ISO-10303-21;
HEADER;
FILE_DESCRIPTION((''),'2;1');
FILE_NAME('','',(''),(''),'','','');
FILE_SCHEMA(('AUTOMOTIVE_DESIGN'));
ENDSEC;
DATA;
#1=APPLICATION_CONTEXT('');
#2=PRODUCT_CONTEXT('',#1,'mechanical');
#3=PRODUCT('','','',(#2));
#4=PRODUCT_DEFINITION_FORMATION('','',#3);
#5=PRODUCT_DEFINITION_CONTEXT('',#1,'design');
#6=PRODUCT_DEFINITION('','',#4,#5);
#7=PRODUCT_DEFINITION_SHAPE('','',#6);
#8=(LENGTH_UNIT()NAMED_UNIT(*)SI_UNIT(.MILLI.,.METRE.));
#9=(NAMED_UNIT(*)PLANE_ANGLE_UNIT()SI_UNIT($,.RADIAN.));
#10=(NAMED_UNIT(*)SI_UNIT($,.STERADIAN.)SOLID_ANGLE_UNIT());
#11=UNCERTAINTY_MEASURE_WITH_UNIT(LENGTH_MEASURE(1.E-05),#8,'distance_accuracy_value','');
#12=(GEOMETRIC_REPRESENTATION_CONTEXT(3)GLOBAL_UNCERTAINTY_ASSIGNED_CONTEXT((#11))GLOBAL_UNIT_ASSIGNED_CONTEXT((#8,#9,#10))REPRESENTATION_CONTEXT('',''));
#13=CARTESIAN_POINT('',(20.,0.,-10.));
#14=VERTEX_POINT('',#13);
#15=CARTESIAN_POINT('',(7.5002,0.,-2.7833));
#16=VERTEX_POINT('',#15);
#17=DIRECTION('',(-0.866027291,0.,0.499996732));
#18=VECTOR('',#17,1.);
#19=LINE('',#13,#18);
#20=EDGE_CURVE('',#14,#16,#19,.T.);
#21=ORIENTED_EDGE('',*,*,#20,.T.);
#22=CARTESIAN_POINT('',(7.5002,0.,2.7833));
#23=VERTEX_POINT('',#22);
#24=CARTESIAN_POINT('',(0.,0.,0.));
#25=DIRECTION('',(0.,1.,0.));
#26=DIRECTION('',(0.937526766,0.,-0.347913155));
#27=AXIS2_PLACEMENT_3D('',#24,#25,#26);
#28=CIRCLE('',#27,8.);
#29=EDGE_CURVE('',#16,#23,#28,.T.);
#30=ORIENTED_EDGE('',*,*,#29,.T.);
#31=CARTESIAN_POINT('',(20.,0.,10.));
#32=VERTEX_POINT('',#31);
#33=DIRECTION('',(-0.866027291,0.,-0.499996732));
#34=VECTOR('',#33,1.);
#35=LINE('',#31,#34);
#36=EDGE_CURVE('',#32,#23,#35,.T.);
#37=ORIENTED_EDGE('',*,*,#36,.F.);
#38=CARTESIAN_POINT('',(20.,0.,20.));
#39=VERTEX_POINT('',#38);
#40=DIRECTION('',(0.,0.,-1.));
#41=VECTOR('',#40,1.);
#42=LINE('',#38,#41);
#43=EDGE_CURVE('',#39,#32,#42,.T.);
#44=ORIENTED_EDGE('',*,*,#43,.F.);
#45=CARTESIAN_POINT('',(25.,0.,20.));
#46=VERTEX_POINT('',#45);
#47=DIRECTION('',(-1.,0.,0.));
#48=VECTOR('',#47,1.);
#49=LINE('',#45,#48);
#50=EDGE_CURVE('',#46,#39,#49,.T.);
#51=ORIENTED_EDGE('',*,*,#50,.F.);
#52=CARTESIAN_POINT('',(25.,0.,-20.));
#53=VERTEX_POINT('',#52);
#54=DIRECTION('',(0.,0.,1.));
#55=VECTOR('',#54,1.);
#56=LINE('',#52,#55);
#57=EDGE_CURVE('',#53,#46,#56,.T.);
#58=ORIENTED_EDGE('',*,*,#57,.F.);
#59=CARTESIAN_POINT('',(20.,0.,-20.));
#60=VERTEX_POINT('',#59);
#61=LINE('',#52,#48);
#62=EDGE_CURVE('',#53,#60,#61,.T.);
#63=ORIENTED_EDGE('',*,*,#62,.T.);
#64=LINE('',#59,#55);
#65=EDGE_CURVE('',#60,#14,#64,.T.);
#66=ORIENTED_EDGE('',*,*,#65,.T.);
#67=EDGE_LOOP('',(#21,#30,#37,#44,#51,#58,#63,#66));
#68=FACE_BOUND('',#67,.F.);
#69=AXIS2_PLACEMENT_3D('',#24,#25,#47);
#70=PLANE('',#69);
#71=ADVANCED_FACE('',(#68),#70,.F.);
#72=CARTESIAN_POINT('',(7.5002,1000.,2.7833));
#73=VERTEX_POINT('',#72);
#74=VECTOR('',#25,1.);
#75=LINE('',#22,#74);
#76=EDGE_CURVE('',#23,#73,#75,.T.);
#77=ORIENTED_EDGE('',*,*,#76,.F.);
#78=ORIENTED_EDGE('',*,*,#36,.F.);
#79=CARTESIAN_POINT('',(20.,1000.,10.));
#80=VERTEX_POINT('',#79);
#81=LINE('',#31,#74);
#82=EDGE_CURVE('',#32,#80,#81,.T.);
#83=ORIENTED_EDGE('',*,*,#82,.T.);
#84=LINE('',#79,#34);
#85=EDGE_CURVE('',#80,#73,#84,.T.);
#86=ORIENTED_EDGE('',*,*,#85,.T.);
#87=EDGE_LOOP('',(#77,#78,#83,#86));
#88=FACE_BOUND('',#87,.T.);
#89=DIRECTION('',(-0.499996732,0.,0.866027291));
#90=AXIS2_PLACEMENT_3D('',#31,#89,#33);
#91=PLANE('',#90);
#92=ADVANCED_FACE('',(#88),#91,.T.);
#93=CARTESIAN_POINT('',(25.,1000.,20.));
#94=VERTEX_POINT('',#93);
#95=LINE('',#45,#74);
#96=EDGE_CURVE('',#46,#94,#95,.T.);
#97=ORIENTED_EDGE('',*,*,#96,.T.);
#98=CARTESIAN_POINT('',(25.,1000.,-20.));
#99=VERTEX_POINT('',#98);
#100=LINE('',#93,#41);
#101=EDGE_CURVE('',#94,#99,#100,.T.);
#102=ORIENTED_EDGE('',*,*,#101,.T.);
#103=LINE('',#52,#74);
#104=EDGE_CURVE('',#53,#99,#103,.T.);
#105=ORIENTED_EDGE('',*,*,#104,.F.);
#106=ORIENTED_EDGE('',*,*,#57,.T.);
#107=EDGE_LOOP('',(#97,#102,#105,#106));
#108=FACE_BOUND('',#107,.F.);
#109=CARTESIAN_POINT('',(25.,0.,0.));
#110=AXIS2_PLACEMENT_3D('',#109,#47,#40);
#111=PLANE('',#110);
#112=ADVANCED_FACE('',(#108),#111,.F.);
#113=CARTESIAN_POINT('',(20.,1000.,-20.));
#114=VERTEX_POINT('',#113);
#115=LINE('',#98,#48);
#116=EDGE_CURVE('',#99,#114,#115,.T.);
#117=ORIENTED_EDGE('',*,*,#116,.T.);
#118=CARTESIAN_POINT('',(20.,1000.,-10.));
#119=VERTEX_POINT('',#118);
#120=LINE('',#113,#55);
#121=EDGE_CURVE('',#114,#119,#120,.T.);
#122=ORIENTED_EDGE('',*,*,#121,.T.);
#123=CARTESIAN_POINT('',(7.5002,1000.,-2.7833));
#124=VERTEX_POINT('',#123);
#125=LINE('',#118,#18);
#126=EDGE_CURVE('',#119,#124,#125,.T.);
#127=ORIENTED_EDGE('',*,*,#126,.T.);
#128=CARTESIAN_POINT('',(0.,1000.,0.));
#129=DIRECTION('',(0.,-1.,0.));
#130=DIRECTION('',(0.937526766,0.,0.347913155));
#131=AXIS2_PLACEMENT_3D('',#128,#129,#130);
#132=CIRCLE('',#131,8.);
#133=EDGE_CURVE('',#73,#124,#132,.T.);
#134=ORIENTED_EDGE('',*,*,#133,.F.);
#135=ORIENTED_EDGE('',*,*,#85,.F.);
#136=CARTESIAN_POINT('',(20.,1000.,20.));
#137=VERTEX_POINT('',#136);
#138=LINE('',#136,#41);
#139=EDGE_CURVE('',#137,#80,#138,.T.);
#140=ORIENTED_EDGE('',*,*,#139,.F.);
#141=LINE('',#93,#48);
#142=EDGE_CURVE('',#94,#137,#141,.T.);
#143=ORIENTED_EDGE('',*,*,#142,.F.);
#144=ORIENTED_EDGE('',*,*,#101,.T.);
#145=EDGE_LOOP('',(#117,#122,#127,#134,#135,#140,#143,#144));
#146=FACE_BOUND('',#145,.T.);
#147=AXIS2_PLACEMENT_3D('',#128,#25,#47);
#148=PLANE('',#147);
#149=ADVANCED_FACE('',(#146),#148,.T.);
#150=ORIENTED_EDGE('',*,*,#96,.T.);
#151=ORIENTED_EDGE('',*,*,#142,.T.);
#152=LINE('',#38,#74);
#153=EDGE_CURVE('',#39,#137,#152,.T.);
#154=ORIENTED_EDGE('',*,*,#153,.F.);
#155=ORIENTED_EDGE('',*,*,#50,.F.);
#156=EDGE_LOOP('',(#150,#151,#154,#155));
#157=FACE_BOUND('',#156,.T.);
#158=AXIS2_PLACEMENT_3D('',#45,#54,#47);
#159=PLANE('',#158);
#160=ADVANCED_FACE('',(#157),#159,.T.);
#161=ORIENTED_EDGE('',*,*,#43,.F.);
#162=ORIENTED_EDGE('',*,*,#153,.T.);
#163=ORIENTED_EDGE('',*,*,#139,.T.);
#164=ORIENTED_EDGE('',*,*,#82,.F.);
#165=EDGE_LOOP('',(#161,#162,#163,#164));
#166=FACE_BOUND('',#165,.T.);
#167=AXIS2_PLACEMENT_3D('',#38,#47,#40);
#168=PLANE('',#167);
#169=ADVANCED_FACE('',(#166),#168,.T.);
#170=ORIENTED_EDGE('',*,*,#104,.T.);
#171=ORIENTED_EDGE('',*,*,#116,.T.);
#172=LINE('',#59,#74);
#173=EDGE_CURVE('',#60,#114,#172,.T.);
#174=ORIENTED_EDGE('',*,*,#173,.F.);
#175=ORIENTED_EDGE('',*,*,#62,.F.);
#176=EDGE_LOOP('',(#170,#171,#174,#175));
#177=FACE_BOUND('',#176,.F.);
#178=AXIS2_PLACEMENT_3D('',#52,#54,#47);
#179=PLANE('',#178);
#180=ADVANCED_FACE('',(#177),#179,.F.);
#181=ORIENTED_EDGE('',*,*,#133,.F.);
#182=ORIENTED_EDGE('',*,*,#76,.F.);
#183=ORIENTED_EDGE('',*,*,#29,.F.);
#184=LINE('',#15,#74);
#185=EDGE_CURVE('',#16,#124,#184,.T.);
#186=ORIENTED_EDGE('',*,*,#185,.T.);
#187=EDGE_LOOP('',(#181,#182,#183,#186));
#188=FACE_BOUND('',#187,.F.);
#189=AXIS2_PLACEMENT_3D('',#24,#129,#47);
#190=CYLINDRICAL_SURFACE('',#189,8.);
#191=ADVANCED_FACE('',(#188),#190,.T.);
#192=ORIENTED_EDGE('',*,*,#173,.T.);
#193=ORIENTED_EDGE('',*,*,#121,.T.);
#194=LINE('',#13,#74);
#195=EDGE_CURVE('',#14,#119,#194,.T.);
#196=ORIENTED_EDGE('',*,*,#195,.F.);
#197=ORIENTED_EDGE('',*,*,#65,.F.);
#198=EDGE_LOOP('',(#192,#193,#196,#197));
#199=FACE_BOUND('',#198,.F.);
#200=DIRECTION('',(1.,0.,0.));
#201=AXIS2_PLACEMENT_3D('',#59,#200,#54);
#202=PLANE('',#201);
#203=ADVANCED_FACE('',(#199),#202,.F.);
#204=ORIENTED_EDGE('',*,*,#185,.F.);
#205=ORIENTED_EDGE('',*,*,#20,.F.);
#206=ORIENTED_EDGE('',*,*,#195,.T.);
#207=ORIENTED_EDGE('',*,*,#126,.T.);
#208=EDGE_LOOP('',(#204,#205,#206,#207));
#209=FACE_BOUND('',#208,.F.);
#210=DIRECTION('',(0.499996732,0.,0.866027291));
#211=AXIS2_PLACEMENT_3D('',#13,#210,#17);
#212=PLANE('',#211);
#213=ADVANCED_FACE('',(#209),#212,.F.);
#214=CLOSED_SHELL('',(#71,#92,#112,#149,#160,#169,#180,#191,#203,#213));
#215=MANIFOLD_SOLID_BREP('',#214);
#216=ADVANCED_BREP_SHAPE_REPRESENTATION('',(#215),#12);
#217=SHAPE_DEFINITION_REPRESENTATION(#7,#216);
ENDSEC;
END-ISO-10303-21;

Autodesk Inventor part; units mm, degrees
ref_plane "YZ Plane" through (0, 0, 0) normal (1, 0, 0) x (0, 1, 0)
ref_plane "XZ Plane" through (0, 0, 0) normal (0, 1, 0) x (-1, 0, 0)
ref_plane "XY Plane" through (0, 0, 0) normal (0, 0, 1) x (1, 0, 0)
sketch "スケッチ1" plane through (0, 0, 0) normal (0, 1, 0) x (-1, 0, 0)
  circle A0 centre (0, 0) radius 8
  line L0 (0, 0) -> (-25, 0)
  line L1 (-25, 0) -> (-25, 20)
  line L2 (-25, 20) -> (-20, 20)
  line L3 (-20, 20) -> (-20, 10)
  line L4 (-20, 10) -> (-7.5002, 2.7833)
  line L5 (-25, 0) -> (-25, -20)
  line L6 (-25, -20) -> (-20, -20)
  line L7 (-20, -20) -> (-20, -10)
  line L8 (-20, -10) -> (-7.5002, -2.7833)
  dimension "d0" = 16
  dimension "d1" = 25
  dimension "d2" = 20
  dimension "d3" = 5
extrude "押し出し1" add sketch "スケッチ1" along normal blind 1000
properties part number "rail" material "ステンレス鋼 440C"
